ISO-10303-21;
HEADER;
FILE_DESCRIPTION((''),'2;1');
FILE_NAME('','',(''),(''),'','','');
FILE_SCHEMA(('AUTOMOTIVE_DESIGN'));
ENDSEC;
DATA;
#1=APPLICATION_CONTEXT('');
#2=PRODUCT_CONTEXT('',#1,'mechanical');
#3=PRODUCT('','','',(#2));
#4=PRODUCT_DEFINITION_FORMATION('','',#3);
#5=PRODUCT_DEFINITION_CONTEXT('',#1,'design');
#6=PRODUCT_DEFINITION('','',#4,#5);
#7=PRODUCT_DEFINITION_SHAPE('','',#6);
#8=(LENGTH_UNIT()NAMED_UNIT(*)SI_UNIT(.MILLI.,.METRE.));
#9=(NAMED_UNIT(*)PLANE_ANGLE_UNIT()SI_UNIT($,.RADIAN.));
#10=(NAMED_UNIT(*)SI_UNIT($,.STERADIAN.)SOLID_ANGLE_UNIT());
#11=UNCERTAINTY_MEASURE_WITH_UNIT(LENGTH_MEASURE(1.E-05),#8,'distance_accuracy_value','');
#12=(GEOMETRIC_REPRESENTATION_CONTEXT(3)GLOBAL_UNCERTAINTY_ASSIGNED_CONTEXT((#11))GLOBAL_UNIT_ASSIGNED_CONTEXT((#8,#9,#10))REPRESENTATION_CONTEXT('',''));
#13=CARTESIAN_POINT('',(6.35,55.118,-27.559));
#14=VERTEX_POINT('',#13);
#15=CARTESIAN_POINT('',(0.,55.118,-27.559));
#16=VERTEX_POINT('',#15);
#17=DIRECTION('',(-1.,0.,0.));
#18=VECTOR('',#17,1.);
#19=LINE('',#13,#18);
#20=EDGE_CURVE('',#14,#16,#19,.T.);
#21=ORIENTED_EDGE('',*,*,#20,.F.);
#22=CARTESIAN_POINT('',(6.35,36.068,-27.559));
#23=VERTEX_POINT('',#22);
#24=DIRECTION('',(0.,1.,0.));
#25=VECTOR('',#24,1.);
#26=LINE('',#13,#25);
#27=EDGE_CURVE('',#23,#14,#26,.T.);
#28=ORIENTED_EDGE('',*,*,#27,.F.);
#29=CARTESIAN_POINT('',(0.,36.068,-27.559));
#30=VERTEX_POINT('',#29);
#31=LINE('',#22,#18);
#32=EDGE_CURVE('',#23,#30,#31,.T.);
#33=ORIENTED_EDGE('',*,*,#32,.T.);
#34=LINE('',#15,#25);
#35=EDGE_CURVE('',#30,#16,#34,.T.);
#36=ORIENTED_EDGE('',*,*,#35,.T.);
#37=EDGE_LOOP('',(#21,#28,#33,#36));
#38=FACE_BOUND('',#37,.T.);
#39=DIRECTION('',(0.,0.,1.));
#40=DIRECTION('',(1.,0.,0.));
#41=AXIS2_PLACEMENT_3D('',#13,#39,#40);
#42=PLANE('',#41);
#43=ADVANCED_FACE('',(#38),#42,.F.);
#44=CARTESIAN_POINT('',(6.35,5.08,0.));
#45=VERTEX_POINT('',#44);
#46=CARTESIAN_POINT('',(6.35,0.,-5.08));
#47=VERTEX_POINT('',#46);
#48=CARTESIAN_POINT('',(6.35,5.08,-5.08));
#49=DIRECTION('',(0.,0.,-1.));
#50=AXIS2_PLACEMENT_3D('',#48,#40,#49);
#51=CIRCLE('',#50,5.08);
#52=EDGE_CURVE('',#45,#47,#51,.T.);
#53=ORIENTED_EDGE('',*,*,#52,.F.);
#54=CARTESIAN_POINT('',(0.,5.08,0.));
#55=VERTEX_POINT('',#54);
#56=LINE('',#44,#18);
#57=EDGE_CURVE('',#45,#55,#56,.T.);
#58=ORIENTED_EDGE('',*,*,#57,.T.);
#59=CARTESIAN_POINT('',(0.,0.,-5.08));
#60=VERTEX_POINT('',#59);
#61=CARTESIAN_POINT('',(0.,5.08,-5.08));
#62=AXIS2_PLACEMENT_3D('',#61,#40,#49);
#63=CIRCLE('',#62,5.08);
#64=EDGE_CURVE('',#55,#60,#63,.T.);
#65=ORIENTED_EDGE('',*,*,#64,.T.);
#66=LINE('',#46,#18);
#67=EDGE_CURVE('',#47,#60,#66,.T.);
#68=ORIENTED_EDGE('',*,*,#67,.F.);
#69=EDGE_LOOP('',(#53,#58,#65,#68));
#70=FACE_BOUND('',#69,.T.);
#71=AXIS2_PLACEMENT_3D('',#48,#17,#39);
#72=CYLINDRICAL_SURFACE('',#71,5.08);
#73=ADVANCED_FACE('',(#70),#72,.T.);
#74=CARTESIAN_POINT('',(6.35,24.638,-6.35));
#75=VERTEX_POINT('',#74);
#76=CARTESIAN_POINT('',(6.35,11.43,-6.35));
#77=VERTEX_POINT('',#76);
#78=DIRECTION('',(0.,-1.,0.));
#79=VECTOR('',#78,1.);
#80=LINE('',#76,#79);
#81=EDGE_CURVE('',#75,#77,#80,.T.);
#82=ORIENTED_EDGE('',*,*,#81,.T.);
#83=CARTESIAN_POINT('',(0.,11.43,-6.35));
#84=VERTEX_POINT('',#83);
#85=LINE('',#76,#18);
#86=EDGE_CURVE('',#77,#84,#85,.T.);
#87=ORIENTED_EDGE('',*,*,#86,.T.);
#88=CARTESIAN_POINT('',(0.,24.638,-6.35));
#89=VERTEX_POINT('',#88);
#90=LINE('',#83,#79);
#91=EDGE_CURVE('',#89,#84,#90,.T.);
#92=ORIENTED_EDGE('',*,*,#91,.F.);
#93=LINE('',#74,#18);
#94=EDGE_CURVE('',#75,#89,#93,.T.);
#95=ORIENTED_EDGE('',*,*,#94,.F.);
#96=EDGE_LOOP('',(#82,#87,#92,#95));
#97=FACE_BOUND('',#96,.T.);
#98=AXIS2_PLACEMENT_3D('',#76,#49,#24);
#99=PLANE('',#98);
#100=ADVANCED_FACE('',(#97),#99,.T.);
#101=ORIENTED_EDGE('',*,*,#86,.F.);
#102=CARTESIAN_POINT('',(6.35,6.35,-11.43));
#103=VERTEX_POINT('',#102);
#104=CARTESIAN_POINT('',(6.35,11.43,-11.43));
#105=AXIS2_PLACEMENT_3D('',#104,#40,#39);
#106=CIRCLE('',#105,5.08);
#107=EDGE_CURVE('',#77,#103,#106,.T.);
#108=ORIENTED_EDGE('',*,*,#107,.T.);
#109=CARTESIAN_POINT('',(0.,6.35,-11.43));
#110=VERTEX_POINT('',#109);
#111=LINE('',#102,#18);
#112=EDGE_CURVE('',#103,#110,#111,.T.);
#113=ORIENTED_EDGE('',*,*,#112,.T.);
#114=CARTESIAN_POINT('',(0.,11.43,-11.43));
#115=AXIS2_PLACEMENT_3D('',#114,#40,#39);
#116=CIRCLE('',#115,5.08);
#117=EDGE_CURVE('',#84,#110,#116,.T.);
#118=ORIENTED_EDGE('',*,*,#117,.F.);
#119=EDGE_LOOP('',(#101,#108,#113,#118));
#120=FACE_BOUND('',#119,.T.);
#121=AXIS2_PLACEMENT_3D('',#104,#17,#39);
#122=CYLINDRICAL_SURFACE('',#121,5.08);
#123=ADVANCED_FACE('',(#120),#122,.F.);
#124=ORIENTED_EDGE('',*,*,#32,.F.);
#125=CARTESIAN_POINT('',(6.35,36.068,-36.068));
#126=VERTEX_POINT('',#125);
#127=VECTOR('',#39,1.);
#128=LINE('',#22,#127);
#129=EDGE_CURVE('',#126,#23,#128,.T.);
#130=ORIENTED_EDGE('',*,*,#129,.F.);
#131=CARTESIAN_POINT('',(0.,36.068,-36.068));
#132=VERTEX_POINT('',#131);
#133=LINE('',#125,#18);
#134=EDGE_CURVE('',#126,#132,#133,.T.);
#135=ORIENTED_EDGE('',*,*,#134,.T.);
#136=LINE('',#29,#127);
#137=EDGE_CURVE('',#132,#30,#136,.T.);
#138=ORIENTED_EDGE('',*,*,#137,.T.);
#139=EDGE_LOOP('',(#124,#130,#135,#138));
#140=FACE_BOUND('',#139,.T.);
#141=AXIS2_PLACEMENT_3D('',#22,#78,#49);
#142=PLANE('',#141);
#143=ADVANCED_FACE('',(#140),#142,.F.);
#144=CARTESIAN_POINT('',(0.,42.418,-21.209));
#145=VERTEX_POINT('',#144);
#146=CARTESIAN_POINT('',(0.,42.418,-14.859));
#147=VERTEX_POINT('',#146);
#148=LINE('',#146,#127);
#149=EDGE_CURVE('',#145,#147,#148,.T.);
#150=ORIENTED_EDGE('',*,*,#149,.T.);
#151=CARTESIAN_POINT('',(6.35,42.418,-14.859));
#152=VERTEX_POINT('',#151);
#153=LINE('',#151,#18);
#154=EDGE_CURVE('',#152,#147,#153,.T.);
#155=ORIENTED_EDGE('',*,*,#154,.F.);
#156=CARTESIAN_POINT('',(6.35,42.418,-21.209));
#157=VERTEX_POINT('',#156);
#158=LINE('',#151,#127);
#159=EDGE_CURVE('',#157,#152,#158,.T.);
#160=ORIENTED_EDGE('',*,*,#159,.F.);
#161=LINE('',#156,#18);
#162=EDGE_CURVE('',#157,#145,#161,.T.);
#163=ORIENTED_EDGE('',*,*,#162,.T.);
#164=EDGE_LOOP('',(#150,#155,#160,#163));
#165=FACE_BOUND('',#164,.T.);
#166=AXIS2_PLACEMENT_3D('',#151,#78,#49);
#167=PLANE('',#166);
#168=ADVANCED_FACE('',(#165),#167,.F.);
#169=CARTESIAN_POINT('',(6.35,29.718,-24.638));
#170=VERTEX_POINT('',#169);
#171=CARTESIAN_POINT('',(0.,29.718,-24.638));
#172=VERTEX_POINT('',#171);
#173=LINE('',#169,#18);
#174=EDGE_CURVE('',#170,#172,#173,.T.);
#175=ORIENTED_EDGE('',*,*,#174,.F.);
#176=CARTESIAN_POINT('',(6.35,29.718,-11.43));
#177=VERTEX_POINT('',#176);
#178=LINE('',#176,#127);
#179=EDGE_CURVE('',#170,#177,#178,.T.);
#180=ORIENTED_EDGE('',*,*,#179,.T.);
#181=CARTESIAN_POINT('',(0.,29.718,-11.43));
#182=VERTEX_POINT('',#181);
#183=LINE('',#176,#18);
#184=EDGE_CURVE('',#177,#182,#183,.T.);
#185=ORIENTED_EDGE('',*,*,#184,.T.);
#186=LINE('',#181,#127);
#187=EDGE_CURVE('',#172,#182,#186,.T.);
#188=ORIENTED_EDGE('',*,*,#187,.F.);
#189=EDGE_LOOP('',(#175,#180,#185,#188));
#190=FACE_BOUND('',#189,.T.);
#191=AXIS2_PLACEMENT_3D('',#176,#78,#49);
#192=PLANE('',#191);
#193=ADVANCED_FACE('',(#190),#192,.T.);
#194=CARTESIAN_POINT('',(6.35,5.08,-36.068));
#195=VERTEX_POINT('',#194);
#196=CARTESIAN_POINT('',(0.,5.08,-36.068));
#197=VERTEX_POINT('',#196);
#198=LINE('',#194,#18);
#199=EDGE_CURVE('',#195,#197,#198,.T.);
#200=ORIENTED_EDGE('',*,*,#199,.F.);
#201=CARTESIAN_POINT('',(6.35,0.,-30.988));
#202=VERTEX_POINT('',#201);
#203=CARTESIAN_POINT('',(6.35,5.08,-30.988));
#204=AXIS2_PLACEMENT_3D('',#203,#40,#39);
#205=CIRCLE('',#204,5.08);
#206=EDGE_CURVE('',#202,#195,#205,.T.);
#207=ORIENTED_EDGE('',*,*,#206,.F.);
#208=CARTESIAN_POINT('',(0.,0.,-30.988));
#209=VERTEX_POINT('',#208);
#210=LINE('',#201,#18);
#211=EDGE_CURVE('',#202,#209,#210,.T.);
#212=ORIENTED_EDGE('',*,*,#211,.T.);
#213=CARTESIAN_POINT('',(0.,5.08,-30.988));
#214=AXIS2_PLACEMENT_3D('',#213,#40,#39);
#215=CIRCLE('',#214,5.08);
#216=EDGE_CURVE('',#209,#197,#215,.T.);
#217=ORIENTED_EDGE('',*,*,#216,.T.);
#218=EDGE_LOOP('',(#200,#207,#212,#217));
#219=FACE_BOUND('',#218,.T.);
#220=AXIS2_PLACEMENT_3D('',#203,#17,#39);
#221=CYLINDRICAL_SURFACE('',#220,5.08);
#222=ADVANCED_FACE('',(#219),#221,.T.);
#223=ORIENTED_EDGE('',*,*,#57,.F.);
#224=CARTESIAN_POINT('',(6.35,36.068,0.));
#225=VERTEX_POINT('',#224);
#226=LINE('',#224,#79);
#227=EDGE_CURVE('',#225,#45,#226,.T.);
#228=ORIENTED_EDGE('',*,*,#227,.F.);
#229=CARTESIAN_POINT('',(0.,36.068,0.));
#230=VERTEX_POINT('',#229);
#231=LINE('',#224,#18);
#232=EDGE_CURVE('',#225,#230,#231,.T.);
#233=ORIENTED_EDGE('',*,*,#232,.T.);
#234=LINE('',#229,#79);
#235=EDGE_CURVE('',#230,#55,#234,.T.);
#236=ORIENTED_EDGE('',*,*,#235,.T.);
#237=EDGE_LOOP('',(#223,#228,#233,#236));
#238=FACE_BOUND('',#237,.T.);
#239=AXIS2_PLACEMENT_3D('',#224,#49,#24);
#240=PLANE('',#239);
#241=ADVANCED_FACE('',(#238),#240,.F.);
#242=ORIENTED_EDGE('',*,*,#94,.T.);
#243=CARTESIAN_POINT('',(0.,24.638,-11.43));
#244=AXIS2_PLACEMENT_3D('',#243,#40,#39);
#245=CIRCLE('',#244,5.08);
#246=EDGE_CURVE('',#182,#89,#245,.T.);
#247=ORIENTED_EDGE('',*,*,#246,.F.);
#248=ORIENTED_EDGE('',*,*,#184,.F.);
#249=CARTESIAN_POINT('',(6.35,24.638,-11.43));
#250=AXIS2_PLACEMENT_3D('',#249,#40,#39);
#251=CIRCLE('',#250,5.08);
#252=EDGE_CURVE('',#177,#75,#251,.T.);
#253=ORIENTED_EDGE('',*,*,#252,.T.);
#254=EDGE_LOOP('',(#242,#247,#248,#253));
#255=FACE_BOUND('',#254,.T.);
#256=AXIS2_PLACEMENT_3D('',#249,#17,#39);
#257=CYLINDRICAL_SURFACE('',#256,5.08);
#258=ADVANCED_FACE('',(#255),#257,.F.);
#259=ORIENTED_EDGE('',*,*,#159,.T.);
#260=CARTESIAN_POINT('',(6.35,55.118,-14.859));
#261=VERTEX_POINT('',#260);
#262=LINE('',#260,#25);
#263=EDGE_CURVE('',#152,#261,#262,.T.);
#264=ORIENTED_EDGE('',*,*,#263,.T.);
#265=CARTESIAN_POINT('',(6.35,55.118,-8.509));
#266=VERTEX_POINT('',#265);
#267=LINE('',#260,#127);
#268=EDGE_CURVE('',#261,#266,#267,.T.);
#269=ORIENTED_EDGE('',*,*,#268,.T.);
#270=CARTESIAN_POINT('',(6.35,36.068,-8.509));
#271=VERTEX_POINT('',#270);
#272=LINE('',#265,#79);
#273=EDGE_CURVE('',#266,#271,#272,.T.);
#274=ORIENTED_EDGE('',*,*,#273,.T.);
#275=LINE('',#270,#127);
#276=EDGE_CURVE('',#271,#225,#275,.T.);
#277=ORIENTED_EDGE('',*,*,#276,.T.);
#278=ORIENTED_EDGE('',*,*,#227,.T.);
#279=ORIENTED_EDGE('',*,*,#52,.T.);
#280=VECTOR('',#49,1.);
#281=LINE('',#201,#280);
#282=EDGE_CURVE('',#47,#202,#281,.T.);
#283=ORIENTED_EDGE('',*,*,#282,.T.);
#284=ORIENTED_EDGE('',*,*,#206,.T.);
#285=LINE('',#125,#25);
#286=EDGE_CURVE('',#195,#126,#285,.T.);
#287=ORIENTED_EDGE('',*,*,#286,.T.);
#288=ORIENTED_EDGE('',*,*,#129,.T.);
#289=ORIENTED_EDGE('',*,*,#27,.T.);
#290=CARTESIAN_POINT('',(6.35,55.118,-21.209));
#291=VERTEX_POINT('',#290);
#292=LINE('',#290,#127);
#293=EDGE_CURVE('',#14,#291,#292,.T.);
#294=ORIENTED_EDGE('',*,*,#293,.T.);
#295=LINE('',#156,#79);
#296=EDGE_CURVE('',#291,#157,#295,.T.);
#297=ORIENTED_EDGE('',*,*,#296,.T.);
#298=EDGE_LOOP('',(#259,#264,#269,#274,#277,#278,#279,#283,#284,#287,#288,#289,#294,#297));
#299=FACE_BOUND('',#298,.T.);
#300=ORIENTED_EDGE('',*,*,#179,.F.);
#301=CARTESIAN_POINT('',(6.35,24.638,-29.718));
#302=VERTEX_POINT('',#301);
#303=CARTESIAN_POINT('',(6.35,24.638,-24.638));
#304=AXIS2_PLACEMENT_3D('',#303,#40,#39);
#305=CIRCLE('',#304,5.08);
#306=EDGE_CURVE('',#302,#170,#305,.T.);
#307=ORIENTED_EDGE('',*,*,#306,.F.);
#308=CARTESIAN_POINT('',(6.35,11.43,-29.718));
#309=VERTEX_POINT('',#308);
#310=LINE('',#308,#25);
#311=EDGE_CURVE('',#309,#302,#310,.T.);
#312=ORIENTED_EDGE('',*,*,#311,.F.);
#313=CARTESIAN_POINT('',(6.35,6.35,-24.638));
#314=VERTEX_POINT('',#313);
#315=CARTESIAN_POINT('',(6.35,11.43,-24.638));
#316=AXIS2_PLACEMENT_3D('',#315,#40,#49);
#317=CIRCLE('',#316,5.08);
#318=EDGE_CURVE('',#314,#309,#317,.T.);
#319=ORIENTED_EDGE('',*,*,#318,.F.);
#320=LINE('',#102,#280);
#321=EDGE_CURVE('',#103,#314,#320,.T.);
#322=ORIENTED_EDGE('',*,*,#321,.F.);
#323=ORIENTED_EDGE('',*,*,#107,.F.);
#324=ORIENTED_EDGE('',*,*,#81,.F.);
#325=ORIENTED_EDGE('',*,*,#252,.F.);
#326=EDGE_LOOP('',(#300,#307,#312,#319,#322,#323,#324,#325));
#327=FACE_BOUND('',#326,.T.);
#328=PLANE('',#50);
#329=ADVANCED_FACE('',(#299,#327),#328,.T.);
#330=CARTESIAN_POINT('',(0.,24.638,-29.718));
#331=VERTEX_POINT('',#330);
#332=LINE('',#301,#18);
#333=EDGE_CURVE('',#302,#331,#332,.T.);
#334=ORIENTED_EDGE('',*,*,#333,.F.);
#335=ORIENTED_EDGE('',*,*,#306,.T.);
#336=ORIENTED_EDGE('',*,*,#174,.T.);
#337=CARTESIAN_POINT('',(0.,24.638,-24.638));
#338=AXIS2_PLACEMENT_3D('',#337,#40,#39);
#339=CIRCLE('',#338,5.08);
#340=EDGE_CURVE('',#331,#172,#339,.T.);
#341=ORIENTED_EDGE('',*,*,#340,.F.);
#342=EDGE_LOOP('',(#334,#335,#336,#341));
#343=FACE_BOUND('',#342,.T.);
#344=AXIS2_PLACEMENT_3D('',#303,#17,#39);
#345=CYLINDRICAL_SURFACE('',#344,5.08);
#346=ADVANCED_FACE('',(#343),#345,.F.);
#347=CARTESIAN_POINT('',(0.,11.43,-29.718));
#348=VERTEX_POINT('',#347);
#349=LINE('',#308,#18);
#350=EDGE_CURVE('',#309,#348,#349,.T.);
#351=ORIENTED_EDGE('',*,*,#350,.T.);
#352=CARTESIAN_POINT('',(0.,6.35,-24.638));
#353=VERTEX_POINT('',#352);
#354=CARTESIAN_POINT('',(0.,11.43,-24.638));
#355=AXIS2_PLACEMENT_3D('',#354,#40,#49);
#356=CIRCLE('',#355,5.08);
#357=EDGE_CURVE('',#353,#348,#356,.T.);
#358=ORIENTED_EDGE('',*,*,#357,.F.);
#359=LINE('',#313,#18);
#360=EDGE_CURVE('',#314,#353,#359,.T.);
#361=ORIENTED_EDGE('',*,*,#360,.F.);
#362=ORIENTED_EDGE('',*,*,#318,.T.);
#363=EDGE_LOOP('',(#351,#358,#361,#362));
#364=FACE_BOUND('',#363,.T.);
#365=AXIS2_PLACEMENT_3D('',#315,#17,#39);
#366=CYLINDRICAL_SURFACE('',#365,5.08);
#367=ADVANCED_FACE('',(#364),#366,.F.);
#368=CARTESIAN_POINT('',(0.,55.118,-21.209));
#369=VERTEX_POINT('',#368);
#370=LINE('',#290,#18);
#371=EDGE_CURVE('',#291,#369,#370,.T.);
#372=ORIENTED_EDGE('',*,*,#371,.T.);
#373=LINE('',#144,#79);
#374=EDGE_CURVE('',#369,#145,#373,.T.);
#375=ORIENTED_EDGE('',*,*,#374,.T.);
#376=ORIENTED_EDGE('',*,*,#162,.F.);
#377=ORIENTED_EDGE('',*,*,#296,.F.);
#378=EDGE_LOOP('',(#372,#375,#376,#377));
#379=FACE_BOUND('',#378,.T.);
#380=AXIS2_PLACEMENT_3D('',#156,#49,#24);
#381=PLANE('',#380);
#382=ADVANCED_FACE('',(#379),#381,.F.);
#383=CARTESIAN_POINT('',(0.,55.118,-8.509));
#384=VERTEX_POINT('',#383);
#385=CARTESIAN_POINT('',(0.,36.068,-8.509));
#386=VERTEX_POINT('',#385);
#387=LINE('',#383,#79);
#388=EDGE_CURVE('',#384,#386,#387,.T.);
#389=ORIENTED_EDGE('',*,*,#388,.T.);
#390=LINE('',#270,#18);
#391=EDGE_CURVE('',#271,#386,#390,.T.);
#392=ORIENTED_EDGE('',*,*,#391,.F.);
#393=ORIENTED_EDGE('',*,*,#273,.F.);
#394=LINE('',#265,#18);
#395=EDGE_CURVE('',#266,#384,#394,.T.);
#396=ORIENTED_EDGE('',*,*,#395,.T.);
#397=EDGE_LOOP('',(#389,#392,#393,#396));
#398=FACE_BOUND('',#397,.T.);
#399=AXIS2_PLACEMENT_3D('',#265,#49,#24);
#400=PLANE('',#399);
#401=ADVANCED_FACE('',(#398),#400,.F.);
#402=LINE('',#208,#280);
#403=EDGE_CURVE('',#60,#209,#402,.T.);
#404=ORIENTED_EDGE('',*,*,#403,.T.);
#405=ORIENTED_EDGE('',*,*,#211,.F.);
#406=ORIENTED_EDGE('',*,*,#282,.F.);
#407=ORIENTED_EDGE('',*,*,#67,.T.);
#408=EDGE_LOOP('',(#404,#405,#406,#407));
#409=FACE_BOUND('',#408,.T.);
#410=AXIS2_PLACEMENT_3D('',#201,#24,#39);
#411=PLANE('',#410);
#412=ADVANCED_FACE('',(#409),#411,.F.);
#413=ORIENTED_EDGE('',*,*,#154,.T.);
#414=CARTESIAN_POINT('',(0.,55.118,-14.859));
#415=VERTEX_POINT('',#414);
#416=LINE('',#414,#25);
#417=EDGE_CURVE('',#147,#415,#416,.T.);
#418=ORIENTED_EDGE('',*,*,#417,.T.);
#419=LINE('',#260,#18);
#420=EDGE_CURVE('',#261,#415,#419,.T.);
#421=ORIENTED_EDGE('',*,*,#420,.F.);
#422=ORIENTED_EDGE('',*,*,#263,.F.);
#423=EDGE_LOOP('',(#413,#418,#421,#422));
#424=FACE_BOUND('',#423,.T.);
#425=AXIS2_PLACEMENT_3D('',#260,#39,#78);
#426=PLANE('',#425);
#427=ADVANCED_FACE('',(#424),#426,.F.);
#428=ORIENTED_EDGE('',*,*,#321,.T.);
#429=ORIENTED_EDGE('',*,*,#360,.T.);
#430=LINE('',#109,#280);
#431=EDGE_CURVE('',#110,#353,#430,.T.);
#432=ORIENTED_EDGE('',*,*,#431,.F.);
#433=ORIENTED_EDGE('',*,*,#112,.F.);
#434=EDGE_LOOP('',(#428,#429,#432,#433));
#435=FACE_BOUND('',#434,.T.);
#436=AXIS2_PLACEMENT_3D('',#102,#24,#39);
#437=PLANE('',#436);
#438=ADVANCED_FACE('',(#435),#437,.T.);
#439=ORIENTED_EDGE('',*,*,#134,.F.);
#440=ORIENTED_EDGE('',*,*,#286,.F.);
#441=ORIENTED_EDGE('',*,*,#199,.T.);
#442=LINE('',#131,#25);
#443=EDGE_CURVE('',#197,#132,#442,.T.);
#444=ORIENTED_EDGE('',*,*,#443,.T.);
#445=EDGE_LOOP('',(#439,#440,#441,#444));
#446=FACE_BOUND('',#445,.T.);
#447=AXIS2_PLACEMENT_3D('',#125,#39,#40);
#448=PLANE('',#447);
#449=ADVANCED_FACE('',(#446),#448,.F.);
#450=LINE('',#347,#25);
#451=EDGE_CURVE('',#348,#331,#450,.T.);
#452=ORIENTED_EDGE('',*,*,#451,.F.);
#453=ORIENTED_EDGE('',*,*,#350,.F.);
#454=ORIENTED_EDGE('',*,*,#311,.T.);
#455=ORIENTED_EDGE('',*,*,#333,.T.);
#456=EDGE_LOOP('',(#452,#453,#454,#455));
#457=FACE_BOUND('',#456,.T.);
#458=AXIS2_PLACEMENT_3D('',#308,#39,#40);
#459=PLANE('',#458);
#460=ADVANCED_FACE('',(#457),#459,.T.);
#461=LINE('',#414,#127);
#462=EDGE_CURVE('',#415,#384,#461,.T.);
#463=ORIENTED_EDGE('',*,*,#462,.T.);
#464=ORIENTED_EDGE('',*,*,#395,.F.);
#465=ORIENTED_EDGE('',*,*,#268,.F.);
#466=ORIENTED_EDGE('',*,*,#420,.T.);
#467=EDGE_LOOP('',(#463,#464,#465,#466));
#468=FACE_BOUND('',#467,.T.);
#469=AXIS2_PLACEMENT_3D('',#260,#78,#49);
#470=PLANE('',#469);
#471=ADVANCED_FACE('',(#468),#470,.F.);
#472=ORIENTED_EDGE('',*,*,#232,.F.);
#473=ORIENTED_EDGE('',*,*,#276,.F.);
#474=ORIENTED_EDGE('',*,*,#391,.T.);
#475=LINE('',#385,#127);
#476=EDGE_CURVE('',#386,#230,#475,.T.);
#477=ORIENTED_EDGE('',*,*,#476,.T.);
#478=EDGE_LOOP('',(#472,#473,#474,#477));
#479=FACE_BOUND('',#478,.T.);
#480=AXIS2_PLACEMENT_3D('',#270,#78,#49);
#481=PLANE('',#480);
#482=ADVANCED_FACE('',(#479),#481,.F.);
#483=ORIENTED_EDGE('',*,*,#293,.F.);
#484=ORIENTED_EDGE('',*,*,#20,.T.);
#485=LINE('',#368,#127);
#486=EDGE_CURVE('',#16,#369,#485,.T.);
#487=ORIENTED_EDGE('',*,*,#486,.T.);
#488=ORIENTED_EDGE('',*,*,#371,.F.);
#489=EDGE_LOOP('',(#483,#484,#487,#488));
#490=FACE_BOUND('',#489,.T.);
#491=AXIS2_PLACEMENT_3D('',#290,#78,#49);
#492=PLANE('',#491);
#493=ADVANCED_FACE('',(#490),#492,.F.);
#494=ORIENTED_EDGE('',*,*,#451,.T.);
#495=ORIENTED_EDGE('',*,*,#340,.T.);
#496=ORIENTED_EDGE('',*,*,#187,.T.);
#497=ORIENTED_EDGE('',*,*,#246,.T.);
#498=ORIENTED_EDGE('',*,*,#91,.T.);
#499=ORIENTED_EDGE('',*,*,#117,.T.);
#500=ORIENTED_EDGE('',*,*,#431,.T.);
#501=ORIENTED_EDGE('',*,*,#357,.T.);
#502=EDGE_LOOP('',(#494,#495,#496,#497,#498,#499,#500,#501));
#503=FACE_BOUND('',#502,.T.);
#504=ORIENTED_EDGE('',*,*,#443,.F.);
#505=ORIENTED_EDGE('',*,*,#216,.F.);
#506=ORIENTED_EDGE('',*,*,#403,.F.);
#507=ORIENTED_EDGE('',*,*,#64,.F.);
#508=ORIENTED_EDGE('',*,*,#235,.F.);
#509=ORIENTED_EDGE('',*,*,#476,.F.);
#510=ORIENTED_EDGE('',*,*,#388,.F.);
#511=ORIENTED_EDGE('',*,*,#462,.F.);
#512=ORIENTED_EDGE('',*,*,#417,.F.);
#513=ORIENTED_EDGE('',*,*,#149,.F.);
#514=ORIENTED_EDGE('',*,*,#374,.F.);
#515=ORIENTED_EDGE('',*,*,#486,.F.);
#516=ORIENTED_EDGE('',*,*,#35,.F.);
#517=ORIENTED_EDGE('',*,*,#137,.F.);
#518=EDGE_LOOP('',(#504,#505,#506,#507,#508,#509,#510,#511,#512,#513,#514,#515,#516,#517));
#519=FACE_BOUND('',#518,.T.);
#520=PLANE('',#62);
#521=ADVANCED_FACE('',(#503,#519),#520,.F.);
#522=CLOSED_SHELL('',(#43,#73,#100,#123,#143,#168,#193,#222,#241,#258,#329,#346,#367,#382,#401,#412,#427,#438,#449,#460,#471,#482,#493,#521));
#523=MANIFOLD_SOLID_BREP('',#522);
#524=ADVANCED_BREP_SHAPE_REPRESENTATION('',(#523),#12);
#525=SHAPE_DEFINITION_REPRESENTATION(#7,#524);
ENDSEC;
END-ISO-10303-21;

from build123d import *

# Parameters (mm, degrees)
BOSS_EXTRUDE1_DEPTH = 6.35


with BuildPart() as part:
    # Sketch2 → Boss-Extrude1 (new body)
    with BuildSketch(Plane(origin=(0, 0, 0), x_dir=(0, 0, -1), z_dir=(1, 0, 0))):
        with BuildLine():
            Line((14.859, 55.118), (14.859, 42.418))
            Line((14.859, 42.418), (21.209, 42.418))
            Line((21.209, 42.418), (21.209, 55.118))
            Line((21.209, 55.118), (27.559, 55.118))
            Line((27.559, 55.118), (27.559, 36.068))
            Line((27.559, 36.068), (36.068, 36.068))
            Line((36.068, 36.068), (36.068, 5.08))
            ThreePointArc((36.068, 5.08), (34.580102448, 1.487897552), (30.988, 0))
            Line((30.988, 0), (5.08, 0))
            ThreePointArc((5.08, 0), (1.487897552, 1.487897552), (0, 5.08))
            Line((0, 5.08), (0, 36.068))
            Line((0, 36.068), (8.509, 36.068))
            Line((8.509, 36.068), (8.509, 55.118))
            Line((8.509, 55.118), (14.859, 55.118))
        make_face()
        with BuildLine():
            Line((11.43, 6.35), (24.638, 6.35))
            ThreePointArc((24.638, 6.35), (28.230102448, 7.837897552), (29.718, 11.43))
            Line((29.718, 11.43), (29.718, 24.638))
            ThreePointArc((29.718, 24.638), (28.230102448, 28.230102448), (24.638, 29.718))
            Line((24.638, 29.718), (11.43, 29.718))
            ThreePointArc((11.43, 29.718), (7.837897552, 28.230102448), (6.35, 24.638))
            Line((6.35, 24.638), (6.35, 11.43))
            ThreePointArc((6.35, 11.43), (7.837897552, 7.837897552), (11.43, 6.35))
        make_face(mode=Mode.SUBTRACT)
    extrude(amount=BOSS_EXTRUDE1_DEPTH)


solid = part.part
